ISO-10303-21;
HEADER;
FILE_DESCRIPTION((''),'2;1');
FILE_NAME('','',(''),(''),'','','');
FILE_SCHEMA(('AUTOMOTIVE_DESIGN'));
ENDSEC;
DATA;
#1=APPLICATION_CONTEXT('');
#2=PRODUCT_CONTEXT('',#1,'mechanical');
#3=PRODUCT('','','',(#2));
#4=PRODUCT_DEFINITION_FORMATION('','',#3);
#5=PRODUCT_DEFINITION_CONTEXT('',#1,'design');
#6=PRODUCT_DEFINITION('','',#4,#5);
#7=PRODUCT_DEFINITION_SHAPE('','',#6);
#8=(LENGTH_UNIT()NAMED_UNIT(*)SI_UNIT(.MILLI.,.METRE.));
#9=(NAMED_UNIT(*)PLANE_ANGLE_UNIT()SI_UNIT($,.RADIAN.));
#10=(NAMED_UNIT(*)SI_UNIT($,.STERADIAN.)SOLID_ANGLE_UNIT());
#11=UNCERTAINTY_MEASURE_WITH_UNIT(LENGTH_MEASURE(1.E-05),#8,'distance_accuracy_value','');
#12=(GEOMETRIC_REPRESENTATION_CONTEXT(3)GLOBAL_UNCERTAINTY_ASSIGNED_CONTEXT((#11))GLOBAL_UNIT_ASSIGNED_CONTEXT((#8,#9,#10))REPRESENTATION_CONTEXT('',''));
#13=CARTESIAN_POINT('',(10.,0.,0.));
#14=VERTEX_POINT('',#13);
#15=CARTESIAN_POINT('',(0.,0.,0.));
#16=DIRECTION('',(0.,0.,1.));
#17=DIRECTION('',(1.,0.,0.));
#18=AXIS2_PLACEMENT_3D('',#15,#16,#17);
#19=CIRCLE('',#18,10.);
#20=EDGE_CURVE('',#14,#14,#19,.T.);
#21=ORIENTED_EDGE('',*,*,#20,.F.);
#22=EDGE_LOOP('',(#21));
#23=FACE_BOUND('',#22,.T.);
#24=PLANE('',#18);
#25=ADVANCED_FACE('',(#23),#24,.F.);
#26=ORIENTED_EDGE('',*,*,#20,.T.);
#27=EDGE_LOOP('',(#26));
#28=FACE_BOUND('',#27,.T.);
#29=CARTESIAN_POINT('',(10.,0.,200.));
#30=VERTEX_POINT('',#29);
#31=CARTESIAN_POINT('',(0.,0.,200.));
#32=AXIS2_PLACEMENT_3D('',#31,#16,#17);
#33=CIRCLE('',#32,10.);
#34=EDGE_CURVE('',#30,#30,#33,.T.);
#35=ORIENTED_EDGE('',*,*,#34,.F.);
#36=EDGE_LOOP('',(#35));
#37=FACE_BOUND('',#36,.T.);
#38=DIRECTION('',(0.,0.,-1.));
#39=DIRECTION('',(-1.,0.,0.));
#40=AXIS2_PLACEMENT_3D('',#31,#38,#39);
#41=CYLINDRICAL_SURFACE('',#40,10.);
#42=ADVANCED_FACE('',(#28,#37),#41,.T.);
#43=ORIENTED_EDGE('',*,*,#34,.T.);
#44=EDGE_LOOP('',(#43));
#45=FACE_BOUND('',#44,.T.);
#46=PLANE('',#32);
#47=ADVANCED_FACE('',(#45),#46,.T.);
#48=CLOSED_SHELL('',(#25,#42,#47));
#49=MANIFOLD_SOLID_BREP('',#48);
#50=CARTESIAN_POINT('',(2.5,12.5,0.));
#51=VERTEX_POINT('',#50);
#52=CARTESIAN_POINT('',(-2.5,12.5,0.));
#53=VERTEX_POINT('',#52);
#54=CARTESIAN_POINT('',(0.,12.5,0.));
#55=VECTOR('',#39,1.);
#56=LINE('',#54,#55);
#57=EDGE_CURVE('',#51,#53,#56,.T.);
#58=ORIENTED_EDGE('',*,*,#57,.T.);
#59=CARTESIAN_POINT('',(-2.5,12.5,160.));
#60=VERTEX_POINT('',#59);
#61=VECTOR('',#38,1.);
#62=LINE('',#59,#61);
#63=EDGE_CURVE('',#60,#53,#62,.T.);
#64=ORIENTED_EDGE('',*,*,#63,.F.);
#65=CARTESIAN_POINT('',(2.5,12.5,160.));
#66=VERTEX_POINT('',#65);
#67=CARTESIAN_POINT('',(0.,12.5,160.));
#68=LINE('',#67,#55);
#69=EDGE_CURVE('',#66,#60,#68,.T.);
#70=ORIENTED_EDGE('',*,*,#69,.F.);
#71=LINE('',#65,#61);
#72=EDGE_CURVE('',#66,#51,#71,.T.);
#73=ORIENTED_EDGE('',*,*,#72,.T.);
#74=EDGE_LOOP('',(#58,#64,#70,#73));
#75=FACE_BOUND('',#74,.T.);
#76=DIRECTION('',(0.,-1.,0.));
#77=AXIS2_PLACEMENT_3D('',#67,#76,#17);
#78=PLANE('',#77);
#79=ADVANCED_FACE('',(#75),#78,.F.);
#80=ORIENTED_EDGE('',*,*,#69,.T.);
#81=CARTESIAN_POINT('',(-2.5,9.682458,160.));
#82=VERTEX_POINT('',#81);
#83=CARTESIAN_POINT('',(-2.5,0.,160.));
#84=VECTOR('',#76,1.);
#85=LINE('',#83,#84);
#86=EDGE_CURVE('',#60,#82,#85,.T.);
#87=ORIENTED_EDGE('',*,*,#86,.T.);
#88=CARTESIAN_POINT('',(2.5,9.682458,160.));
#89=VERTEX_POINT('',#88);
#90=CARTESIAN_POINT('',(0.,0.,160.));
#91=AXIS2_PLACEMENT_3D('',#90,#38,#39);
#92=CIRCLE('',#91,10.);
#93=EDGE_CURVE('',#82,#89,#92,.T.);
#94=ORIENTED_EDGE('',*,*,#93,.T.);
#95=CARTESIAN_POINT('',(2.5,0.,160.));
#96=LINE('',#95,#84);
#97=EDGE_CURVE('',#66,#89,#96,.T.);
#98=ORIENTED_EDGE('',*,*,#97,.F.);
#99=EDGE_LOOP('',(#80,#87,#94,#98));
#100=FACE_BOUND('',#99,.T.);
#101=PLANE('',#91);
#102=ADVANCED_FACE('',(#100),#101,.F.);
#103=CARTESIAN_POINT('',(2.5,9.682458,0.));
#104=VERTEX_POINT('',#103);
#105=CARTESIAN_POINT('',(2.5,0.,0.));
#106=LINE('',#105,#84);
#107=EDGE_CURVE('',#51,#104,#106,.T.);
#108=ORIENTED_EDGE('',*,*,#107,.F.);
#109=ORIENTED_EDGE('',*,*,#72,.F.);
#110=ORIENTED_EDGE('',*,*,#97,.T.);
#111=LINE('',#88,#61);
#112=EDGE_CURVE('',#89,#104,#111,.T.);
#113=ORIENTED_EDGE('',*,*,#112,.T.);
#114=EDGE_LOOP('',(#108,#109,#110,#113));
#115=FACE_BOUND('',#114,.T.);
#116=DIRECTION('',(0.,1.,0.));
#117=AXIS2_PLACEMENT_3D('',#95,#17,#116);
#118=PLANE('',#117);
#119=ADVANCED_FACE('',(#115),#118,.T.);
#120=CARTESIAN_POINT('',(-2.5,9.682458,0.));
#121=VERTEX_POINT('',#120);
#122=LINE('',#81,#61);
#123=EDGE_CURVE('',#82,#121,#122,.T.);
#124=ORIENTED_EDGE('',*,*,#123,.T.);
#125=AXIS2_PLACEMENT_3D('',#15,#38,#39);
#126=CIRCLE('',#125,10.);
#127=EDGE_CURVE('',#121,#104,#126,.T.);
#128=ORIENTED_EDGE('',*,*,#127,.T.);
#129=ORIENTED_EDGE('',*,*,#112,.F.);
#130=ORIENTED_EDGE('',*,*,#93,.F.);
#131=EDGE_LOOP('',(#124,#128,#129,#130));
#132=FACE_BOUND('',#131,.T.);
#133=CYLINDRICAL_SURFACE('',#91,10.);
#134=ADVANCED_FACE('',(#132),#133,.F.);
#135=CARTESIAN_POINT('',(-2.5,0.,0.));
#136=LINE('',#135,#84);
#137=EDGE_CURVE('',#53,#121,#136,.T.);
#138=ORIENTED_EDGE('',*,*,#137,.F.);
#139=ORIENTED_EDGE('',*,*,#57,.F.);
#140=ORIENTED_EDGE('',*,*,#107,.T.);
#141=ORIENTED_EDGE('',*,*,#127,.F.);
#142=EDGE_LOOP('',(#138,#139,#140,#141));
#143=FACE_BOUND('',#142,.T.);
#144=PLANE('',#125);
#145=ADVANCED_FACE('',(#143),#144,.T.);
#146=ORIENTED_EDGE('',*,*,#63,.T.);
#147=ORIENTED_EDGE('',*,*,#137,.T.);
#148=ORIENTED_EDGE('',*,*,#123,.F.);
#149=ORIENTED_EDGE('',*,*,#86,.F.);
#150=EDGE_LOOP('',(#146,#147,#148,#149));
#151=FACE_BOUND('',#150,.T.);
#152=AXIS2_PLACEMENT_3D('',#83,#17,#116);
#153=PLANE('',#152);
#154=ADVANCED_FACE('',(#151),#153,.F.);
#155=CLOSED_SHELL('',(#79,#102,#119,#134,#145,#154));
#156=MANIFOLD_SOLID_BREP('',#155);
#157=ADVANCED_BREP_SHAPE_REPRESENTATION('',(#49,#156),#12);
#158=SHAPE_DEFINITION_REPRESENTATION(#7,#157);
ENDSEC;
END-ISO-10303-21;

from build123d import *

# Parameters (mm, degrees)
SKETCH1_R           = 10
BOSS_EXTRUDE1_DEPTH = 200
BOSS_EXTRUDE2_DEPTH = 160


with BuildPart() as part:
    # Sketch1 → Boss-Extrude1 (new body)
    with BuildSketch(Plane.XY):
        Circle(SKETCH1_R)
    extrude(amount=BOSS_EXTRUDE1_DEPTH)


with BuildPart() as body_2:
    # Sketch2 → Boss-Extrude2 (new body)
    with BuildSketch(Plane(origin=(0, 0, 0), x_dir=(-1, 0, 0), z_dir=(0, 0, -1))):
        with BuildLine():
            Line((2.5, 12.5), (-2.5, 12.5))
            Line((-2.5, 12.5), (-2.5, 9.682458366))
            ThreePointArc((-2.5, 9.682458366), (0, 10), (2.5, 9.682458366))
            Line((2.5, 9.682458366), (2.5, 12.5))
        make_face()
    extrude(amount=-BOSS_EXTRUDE2_DEPTH)


solid = Compound([part.part, body_2.part])
